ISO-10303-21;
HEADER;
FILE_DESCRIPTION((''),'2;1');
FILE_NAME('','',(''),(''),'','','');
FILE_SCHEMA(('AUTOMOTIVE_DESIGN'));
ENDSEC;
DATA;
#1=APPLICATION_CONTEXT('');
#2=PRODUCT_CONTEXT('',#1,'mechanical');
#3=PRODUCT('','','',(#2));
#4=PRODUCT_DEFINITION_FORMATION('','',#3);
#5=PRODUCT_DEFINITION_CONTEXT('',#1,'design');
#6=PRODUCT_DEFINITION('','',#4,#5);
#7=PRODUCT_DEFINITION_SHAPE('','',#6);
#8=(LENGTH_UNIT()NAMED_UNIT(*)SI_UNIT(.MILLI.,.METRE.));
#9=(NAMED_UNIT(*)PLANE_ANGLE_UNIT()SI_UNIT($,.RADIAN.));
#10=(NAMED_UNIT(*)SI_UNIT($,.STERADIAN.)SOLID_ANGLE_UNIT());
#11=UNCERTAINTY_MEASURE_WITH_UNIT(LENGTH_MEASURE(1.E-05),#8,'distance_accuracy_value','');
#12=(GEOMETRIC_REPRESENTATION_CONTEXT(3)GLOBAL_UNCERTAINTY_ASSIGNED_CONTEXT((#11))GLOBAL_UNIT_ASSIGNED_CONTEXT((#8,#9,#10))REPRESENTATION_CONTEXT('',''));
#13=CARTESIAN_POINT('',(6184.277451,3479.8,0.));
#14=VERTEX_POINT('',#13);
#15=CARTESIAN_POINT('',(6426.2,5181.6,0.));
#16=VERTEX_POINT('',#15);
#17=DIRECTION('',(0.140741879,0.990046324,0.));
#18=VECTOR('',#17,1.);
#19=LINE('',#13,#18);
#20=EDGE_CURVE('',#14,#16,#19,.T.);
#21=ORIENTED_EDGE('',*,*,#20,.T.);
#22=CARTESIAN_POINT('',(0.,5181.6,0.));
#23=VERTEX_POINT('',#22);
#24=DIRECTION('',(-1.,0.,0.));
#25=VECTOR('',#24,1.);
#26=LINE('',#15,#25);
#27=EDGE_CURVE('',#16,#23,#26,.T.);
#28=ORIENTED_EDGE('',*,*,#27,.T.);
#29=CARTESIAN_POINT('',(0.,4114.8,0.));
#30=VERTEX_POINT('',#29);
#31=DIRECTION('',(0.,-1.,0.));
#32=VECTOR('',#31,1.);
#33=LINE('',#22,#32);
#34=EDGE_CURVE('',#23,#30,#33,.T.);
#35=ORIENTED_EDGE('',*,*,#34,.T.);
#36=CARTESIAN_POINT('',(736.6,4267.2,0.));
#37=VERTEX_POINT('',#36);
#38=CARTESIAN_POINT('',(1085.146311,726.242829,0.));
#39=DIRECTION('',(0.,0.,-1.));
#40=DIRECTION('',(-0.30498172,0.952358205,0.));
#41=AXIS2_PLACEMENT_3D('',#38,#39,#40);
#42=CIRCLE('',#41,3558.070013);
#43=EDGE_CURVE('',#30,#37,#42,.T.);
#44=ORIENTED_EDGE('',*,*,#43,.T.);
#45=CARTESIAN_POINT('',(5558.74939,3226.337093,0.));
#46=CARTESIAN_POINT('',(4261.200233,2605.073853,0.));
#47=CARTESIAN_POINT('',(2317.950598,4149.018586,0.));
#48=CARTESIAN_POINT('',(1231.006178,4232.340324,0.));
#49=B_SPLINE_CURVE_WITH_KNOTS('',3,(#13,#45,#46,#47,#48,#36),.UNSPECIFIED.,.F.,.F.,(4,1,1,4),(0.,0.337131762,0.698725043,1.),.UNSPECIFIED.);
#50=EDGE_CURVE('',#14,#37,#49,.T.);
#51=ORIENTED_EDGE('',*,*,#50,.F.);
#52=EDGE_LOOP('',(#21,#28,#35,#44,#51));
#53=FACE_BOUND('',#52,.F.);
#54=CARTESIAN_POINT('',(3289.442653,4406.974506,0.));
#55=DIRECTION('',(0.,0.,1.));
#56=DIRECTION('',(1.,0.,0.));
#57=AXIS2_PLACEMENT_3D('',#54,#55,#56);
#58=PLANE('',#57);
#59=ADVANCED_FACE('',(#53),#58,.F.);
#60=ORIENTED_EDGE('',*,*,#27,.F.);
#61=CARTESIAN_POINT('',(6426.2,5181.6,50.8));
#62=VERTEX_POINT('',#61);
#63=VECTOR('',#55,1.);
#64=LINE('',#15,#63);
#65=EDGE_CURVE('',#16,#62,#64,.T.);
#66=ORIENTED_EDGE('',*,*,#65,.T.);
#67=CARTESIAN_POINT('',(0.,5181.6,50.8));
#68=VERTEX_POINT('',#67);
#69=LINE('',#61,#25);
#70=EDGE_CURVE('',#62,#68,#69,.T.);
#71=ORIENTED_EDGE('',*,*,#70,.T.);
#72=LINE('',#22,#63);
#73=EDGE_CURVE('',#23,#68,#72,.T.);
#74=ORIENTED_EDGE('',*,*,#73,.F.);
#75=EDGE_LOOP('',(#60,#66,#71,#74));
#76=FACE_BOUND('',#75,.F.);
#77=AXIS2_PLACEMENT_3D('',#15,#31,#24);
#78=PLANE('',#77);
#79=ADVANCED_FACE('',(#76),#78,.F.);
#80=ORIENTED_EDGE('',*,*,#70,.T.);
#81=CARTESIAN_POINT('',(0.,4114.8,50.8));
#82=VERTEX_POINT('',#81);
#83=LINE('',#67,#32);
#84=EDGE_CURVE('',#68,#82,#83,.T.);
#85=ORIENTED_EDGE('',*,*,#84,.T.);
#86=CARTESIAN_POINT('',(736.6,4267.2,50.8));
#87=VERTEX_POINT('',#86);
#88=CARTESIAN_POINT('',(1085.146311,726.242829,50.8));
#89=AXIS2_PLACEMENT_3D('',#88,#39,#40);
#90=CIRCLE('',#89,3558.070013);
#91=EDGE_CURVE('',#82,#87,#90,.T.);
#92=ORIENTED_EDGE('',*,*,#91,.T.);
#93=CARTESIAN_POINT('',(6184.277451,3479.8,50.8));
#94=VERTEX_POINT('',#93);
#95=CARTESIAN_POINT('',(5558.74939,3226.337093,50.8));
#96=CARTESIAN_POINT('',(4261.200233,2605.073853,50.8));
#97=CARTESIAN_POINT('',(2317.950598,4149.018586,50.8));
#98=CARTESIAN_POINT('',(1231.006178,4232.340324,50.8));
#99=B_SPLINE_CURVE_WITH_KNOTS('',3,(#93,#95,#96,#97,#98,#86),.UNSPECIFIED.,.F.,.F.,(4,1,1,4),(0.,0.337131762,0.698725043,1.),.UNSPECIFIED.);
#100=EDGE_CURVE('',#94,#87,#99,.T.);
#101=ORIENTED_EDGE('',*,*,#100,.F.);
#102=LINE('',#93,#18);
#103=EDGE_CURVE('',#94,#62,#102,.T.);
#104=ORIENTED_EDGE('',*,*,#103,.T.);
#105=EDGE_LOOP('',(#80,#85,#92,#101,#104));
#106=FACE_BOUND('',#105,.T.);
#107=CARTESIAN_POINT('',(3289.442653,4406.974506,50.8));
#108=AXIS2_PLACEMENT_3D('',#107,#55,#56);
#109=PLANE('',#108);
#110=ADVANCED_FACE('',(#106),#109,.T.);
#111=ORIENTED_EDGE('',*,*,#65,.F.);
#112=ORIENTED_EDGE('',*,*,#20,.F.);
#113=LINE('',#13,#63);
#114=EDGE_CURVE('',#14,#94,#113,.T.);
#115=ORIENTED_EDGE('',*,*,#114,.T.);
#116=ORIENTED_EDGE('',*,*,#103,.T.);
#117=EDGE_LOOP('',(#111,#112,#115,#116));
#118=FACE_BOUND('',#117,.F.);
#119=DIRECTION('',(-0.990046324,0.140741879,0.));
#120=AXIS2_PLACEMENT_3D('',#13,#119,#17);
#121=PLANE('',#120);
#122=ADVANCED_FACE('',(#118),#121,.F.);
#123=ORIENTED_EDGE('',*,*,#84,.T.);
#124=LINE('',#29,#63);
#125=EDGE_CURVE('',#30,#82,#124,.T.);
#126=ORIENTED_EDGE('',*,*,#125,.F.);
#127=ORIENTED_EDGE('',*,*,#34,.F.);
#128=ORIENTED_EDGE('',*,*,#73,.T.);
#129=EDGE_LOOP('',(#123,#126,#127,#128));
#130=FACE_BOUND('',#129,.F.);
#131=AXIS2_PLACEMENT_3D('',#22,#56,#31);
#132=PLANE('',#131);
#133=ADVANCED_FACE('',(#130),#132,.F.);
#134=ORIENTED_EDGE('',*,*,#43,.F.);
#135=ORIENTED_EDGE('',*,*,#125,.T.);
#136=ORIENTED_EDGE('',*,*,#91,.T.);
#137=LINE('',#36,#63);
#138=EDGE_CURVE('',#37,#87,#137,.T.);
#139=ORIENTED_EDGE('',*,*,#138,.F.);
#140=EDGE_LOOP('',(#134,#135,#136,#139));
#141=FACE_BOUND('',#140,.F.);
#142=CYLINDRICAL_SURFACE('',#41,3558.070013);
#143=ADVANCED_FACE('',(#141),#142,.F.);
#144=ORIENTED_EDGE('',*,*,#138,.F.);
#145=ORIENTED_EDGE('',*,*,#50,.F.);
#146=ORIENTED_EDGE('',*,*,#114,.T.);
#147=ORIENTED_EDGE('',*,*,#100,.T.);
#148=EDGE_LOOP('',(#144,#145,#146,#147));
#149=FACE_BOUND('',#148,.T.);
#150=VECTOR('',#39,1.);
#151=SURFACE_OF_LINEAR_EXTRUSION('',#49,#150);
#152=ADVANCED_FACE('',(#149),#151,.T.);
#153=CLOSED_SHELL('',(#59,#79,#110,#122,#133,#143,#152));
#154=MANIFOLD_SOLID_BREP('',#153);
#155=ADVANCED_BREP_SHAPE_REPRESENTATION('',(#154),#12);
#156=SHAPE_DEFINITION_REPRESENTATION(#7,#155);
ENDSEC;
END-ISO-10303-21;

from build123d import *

# Parameters (mm, degrees)
F1_DEPTH = 50.8


with BuildPart() as f1:
    # F0 (on Top) → F1 (new body)
    with BuildSketch(Plane.XY):
        with BuildLine():
            Line((0, 5181.6), (0, 4114.8))
            ThreePointArc((0, 4114.8), (364.2613870406, 4210.519962637), (736.6, 4267.2))
            add(Edge.make_bspline(
                [(6184.2774509804, 3479.8), (5558.7493900267, 3226.3370934063), (4261.2002325915, 2605.0738530334), (2317.9505975893, 4149.0185862678), (1231.0061782159, 4232.3403238661), (736.6, 4267.2)],
                knots=[0, 0, 0, 0, 0.3371317616, 0.6987250434, 1, 1, 1, 1], degree=3))
            Line((6184.2774509804, 3479.8), (6426.2, 5181.6))
            Line((6426.2, 5181.6), (0, 5181.6))
        make_face()
    extrude(amount=F1_DEPTH)


solid = f1.part
